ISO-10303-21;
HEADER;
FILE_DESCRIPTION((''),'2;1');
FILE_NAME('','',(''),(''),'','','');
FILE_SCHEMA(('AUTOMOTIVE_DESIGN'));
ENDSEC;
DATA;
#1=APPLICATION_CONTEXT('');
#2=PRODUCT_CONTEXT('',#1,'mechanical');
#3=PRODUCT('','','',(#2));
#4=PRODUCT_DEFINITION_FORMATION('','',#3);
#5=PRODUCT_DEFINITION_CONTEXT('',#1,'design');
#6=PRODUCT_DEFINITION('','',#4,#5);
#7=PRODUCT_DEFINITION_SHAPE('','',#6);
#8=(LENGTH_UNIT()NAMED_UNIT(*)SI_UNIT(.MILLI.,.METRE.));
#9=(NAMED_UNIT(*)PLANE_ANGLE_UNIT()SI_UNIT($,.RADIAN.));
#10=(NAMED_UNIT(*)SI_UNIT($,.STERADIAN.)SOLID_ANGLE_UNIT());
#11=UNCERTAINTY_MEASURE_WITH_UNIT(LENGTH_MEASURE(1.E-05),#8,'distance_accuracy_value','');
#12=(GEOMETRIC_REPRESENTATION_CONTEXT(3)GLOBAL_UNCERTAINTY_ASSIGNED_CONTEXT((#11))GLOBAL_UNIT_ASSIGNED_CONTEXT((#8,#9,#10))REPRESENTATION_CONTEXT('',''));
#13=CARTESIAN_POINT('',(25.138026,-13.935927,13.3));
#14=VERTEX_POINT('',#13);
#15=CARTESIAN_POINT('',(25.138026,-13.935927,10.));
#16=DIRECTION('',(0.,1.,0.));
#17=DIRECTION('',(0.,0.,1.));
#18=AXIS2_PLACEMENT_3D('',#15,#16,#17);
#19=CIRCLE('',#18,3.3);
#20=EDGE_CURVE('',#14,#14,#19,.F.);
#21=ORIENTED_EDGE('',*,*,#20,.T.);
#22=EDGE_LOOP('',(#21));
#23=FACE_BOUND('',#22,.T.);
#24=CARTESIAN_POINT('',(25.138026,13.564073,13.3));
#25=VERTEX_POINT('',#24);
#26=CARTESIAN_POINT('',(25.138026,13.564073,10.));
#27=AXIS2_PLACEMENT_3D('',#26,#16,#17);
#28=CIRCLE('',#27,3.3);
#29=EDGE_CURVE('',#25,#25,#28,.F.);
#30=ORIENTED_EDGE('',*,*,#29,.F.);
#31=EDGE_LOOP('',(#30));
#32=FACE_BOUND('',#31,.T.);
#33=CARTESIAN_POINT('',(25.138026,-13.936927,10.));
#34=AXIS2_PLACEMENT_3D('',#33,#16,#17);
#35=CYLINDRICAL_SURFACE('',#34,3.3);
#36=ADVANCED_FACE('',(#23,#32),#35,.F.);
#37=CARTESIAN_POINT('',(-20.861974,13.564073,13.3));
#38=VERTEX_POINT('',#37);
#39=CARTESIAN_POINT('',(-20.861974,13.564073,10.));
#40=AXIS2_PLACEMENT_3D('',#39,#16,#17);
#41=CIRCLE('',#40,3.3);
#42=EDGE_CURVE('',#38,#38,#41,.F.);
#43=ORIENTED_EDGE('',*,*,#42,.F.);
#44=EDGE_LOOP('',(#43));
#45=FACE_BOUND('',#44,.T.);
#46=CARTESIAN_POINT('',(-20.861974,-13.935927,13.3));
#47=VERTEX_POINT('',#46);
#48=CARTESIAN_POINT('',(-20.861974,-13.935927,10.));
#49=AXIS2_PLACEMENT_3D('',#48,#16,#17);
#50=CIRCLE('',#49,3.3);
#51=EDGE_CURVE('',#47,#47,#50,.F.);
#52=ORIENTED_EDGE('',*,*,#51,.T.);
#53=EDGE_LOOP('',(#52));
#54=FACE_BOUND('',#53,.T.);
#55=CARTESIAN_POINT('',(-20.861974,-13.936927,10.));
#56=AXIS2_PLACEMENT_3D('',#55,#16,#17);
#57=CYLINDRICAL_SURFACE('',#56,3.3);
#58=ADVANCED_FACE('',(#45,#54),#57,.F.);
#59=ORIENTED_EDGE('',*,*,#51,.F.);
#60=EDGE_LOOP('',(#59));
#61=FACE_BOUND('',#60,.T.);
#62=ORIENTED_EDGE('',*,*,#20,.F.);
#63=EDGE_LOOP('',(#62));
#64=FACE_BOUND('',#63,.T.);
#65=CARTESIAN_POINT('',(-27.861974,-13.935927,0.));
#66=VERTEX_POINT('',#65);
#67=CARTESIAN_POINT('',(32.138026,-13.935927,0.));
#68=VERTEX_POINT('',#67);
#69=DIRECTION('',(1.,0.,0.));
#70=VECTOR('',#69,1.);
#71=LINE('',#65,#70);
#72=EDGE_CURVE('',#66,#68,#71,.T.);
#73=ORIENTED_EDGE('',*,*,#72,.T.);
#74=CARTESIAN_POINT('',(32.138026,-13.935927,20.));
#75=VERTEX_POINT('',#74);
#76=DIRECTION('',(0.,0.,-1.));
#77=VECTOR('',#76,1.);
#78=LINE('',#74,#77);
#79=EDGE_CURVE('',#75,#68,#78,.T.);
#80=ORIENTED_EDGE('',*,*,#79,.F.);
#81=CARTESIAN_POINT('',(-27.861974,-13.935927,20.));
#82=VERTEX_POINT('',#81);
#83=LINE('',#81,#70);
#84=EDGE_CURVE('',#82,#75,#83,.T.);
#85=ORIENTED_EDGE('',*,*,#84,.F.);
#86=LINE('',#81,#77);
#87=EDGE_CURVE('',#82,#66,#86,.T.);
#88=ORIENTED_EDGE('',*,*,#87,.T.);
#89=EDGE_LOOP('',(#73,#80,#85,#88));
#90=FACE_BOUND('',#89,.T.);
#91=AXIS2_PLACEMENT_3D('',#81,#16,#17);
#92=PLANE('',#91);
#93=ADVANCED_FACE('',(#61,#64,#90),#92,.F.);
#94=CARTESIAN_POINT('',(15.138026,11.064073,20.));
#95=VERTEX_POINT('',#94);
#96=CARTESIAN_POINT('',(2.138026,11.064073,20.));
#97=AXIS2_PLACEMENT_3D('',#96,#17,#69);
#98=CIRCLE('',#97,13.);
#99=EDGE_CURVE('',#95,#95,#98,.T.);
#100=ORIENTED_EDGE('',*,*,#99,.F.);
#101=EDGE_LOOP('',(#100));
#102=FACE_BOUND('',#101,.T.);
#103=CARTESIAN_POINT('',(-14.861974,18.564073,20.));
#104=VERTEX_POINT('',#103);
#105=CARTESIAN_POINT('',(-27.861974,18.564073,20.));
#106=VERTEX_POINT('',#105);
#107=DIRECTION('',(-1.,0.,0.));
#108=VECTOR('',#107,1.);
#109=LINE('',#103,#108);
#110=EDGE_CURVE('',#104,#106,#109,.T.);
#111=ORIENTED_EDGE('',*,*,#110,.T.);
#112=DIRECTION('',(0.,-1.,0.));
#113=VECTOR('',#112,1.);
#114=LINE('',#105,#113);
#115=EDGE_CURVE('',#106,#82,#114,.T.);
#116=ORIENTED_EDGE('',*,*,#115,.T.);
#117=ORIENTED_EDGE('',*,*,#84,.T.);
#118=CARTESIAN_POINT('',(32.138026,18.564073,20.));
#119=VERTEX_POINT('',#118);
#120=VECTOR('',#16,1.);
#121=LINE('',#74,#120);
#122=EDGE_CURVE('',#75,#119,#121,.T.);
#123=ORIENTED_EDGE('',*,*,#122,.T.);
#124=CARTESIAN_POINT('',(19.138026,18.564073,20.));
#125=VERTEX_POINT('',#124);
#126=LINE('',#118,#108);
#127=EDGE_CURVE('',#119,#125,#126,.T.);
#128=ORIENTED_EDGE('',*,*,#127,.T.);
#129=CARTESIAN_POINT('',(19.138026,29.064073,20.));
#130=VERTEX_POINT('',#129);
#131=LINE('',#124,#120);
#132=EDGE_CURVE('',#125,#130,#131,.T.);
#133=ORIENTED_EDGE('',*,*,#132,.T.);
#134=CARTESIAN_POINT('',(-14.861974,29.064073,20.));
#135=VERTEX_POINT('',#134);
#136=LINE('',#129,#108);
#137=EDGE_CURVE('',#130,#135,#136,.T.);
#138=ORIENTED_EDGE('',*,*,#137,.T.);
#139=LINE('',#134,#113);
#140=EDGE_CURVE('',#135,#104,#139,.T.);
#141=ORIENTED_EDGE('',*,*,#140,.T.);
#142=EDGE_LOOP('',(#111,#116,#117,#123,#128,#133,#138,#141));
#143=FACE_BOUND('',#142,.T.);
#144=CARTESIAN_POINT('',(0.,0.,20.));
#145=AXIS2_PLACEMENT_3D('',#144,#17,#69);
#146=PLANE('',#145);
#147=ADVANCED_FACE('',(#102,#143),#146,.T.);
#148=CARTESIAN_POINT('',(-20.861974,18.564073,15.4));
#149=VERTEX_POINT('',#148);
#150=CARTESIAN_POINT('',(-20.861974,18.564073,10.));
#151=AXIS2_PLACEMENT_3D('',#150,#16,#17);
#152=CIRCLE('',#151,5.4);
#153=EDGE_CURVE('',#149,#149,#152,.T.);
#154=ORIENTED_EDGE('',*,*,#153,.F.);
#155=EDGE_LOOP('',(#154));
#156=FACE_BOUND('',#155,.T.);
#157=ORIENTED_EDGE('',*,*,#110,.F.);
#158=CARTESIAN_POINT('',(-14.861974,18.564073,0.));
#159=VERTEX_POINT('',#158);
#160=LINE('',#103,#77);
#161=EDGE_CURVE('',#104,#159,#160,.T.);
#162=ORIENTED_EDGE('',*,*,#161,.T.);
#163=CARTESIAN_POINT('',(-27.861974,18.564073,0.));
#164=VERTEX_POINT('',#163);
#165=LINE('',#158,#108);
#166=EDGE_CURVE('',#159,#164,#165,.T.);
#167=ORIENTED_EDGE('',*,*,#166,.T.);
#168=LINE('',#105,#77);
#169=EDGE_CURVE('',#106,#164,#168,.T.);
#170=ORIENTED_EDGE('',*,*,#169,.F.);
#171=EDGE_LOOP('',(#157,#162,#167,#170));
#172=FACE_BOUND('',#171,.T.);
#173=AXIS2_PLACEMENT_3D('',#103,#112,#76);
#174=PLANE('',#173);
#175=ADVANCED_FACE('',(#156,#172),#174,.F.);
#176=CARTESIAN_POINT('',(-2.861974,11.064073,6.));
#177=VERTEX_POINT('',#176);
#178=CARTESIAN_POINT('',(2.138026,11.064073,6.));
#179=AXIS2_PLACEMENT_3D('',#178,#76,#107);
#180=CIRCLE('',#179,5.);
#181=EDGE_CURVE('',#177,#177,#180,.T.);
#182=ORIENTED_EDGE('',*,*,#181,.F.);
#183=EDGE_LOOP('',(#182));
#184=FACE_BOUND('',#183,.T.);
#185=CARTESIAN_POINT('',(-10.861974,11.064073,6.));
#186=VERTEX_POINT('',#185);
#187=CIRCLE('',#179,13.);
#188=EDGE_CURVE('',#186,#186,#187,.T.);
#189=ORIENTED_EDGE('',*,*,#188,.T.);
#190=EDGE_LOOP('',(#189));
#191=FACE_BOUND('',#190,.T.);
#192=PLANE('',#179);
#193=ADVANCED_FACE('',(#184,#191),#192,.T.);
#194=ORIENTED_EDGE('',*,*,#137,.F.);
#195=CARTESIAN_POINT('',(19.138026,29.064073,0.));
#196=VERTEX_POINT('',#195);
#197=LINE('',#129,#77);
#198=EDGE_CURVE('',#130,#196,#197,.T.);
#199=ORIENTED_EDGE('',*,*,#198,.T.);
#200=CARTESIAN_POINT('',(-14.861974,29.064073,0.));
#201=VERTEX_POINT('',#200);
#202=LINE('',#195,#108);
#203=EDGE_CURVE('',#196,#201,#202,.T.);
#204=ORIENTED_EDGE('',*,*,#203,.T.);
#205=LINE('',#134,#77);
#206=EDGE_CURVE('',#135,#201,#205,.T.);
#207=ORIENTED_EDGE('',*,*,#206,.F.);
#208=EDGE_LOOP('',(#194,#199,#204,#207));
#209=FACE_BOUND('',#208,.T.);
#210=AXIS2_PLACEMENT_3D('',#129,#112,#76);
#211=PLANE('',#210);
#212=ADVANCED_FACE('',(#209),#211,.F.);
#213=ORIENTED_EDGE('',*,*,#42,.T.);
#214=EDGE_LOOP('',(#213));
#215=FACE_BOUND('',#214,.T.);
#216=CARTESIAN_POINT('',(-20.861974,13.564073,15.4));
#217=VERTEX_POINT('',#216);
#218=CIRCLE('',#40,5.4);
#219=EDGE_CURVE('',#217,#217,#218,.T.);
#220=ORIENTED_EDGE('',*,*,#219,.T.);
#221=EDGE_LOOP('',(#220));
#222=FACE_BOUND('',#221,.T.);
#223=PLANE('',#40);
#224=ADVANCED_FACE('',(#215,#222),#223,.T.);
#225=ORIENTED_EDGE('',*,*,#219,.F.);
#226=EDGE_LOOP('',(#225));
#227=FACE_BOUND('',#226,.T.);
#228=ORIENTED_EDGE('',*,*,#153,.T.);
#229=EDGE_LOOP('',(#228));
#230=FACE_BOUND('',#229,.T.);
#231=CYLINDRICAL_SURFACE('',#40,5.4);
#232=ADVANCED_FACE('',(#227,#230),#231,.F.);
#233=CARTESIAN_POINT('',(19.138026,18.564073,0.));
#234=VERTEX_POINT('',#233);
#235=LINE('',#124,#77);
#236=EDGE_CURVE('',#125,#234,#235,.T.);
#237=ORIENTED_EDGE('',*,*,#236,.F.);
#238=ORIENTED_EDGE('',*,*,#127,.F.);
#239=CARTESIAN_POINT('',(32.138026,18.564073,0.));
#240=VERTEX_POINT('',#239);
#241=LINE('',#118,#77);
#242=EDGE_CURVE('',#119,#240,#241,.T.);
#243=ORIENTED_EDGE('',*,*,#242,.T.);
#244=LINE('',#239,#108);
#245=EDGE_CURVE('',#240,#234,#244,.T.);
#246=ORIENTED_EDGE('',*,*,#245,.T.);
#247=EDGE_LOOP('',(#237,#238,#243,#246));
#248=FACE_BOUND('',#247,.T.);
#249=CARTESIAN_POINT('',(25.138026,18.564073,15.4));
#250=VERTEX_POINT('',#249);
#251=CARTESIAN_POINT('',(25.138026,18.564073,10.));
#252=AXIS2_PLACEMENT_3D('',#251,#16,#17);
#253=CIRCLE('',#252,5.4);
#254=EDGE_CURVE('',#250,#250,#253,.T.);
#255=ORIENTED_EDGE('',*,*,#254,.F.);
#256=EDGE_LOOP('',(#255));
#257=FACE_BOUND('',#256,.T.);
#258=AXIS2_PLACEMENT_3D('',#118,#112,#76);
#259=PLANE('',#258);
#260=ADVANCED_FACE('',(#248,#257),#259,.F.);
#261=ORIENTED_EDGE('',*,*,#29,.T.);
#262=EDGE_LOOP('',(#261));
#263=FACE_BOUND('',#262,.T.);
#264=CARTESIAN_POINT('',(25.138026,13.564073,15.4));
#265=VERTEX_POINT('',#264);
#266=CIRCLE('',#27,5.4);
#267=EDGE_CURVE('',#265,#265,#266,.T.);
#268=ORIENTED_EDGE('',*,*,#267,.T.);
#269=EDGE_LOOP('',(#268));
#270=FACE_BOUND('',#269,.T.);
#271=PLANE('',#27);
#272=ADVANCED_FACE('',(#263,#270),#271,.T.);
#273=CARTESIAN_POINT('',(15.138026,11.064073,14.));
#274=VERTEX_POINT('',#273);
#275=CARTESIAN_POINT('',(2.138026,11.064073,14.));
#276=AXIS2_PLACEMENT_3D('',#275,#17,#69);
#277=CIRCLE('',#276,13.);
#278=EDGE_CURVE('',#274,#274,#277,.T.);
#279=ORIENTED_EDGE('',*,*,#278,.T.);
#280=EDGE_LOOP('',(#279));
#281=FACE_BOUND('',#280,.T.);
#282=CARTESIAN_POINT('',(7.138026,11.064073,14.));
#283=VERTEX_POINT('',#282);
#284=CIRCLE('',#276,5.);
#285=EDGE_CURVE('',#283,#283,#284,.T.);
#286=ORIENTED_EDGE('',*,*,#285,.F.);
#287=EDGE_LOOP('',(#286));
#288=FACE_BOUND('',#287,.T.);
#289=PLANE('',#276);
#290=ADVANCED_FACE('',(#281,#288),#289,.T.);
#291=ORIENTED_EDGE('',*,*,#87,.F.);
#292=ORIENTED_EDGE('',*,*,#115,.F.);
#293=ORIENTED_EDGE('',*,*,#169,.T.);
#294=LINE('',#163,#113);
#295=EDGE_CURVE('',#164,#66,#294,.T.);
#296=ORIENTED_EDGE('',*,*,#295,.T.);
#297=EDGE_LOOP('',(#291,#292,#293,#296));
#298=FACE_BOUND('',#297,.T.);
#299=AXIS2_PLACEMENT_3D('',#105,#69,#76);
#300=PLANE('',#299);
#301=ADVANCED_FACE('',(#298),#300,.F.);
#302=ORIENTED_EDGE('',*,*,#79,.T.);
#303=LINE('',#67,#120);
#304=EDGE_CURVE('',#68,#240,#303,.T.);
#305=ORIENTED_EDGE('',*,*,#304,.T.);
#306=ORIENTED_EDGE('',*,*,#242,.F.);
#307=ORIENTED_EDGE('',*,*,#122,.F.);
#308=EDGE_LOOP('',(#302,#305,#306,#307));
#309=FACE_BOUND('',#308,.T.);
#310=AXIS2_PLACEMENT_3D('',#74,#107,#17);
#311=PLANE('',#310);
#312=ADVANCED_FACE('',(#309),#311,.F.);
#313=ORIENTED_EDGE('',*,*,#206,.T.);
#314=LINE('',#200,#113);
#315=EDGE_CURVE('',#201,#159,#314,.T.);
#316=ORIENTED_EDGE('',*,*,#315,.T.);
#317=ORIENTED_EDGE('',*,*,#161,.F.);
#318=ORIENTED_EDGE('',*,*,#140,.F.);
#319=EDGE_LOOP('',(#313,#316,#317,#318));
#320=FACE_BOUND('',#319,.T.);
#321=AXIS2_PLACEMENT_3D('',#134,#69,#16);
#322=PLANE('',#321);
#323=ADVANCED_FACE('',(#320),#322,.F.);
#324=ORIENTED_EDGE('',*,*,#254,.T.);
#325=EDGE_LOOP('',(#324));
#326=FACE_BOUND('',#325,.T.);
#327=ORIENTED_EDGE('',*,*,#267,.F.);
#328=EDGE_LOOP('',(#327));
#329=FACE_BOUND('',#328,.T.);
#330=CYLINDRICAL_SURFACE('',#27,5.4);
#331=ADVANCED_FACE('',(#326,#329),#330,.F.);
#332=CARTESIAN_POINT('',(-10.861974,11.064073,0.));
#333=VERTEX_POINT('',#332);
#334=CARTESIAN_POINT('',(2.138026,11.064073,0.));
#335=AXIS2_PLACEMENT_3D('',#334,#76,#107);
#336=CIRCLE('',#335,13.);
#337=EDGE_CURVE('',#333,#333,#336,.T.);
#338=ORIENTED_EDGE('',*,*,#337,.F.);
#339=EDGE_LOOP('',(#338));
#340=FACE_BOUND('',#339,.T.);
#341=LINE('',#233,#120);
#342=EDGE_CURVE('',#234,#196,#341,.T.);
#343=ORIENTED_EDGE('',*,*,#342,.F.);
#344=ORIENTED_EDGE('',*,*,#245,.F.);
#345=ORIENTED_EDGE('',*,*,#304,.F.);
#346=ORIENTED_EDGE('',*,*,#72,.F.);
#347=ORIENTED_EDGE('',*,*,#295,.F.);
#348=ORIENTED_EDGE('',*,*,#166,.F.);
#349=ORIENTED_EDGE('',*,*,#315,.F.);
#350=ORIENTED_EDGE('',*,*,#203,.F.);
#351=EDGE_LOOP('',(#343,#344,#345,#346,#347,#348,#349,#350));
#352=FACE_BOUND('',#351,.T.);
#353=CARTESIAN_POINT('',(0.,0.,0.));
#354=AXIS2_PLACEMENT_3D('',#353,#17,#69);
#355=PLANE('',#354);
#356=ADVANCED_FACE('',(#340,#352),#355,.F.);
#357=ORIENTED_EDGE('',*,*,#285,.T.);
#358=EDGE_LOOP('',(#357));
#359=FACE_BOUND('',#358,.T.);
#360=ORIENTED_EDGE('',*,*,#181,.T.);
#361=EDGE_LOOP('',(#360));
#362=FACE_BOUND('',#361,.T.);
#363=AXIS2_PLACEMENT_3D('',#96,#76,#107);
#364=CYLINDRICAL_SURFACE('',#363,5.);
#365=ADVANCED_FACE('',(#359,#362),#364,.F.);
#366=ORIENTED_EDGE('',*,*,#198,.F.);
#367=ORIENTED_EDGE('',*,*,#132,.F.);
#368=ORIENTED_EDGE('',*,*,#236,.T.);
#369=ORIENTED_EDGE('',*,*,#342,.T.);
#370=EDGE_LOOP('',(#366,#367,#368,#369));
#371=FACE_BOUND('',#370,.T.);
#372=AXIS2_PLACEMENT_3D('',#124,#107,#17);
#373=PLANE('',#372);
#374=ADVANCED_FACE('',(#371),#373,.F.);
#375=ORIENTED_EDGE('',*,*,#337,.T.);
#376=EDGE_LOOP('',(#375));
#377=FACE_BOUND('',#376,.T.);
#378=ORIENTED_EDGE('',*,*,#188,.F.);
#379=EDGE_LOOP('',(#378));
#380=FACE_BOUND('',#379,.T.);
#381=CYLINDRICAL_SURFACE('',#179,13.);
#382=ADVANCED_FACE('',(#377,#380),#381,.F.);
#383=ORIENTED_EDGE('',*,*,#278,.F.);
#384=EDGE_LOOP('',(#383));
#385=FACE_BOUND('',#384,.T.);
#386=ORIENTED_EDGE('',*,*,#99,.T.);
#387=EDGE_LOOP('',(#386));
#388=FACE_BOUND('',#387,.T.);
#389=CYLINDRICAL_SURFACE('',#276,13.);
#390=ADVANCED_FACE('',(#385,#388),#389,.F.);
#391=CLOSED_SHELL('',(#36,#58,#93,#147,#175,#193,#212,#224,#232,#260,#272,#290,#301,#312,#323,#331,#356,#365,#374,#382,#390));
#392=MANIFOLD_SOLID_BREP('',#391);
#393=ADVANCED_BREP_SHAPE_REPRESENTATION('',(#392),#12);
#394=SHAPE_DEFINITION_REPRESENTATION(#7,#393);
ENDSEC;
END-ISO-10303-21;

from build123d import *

# Parameters (mm, degrees)
ESQUISSE1_R             = 5
BOSS_EXTRU_1_DEPTH      = 20
ENL_V_MAT_EXTRU_1_REACH = 51.891
ESQUISSE2_R             = 3.3
ESQUISSE3_R             = 5.4
ENL_V_MAT_EXTRU_2_DEPTH = 5
ESQUISSE4_R             = 13
ENL_V_MAT_EXTRU_3_DEPTH = 6
ENL_V_START             = -6
ESQUISSE5_R             = 13
ENL_V_MAT_EXTRU_4_DEPTH = 6


with BuildPart() as part:
    # Esquisse1 → Boss.-Extru.1 (new body)
    with BuildSketch(Plane.XY):
        Polygon((-27.861974124, -13.935926773), (32.138025876, -13.935926773), (32.138025876, 18.564073227), (19.138025876, 18.564073227), (19.138025876, 29.064073227), (-14.861974124, 29.064073227), (-14.861974124, 18.564073227), (-27.861974124, 18.564073227), align=None)
        with Locations((2.138025876, 11.064073227)):
            Circle(ESQUISSE1_R, mode=Mode.SUBTRACT)
    extrude(amount=BOSS_EXTRU_1_DEPTH)

    # Esquisse2 → Enlèv. mat.-Extru.1 (cut, up to next)
    with BuildSketch(Plane(origin=(0, 18.564073227, 0), x_dir=(1, 0, 0), z_dir=(0, 1, 0)), mode=Mode.PRIVATE) as enl_v_mat_extru_1_sk1:
        with Locations(Location((25.138025876, -10, 0), (0, 0, 270))):
            Circle(ESQUISSE2_R)
    enl_v_mat_extru_1_tool1 = extrude(enl_v_mat_extru_1_sk1.sketch, amount=-ENL_V_MAT_EXTRU_1_REACH, mode=Mode.PRIVATE) & part.part
    # Esquisse2 → Enlèv. mat.-Extru.1 (cut, up to next)
    with BuildSketch(Plane(origin=(0, 18.564073227, 0), x_dir=(1, 0, 0), z_dir=(0, 1, 0)), mode=Mode.PRIVATE) as enl_v_mat_extru_1_sk2:
        with Locations(Location((-20.861974124, -10, 0), (0, 0, 270))):
            Circle(ESQUISSE2_R)
    enl_v_mat_extru_1_tool2 = extrude(enl_v_mat_extru_1_sk2.sketch, amount=-ENL_V_MAT_EXTRU_1_REACH, mode=Mode.PRIVATE) & part.part
    add(enl_v_mat_extru_1_tool1.solids().sort_by_distance((25.138026, 18.564073, 10))[0], mode=Mode.SUBTRACT)
    add(enl_v_mat_extru_1_tool2.solids().sort_by_distance((-20.861974, 18.564073, 10))[0], mode=Mode.SUBTRACT)

    # Esquisse3 → Enlèv. mat.-Extru.2 (cut)
    with BuildSketch(Plane(origin=(0, 18.564073227, 0), x_dir=(1, 0, 0), z_dir=(0, 1, 0))):
        with Locations(Location((25.138025876, -10, 0), (0, 0, 270))):
            Circle(ESQUISSE3_R)
        with Locations(Location((-20.861974124, -10, 0), (0, 0, 270))):
            Circle(ESQUISSE3_R)
    extrude(amount=-ENL_V_MAT_EXTRU_2_DEPTH, mode=Mode.SUBTRACT)

    # Esquisse4 → Enlèv. mat.-Extru.3 (cut)
    with BuildSketch(Plane.XY.offset(20)):
        with Locations((2.138025876, 11.064073227)):
            Circle(ESQUISSE4_R)
    extrude(amount=-ENL_V_MAT_EXTRU_3_DEPTH, mode=Mode.SUBTRACT)

    # Esquisse5 → Enlèv. mat.-Extru.4 (cut)
    with BuildSketch(Plane(origin=(0, 0, 0), x_dir=(-1, 0, 0), z_dir=(0, 0, -1)).offset(ENL_V_START)):
        with Locations(Location((-2.138025876, 11.064073227, 0), (0, 0, 180))):
            Circle(ESQUISSE5_R)
    extrude(amount=ENL_V_MAT_EXTRU_4_DEPTH, mode=Mode.SUBTRACT)


solid = part.part
